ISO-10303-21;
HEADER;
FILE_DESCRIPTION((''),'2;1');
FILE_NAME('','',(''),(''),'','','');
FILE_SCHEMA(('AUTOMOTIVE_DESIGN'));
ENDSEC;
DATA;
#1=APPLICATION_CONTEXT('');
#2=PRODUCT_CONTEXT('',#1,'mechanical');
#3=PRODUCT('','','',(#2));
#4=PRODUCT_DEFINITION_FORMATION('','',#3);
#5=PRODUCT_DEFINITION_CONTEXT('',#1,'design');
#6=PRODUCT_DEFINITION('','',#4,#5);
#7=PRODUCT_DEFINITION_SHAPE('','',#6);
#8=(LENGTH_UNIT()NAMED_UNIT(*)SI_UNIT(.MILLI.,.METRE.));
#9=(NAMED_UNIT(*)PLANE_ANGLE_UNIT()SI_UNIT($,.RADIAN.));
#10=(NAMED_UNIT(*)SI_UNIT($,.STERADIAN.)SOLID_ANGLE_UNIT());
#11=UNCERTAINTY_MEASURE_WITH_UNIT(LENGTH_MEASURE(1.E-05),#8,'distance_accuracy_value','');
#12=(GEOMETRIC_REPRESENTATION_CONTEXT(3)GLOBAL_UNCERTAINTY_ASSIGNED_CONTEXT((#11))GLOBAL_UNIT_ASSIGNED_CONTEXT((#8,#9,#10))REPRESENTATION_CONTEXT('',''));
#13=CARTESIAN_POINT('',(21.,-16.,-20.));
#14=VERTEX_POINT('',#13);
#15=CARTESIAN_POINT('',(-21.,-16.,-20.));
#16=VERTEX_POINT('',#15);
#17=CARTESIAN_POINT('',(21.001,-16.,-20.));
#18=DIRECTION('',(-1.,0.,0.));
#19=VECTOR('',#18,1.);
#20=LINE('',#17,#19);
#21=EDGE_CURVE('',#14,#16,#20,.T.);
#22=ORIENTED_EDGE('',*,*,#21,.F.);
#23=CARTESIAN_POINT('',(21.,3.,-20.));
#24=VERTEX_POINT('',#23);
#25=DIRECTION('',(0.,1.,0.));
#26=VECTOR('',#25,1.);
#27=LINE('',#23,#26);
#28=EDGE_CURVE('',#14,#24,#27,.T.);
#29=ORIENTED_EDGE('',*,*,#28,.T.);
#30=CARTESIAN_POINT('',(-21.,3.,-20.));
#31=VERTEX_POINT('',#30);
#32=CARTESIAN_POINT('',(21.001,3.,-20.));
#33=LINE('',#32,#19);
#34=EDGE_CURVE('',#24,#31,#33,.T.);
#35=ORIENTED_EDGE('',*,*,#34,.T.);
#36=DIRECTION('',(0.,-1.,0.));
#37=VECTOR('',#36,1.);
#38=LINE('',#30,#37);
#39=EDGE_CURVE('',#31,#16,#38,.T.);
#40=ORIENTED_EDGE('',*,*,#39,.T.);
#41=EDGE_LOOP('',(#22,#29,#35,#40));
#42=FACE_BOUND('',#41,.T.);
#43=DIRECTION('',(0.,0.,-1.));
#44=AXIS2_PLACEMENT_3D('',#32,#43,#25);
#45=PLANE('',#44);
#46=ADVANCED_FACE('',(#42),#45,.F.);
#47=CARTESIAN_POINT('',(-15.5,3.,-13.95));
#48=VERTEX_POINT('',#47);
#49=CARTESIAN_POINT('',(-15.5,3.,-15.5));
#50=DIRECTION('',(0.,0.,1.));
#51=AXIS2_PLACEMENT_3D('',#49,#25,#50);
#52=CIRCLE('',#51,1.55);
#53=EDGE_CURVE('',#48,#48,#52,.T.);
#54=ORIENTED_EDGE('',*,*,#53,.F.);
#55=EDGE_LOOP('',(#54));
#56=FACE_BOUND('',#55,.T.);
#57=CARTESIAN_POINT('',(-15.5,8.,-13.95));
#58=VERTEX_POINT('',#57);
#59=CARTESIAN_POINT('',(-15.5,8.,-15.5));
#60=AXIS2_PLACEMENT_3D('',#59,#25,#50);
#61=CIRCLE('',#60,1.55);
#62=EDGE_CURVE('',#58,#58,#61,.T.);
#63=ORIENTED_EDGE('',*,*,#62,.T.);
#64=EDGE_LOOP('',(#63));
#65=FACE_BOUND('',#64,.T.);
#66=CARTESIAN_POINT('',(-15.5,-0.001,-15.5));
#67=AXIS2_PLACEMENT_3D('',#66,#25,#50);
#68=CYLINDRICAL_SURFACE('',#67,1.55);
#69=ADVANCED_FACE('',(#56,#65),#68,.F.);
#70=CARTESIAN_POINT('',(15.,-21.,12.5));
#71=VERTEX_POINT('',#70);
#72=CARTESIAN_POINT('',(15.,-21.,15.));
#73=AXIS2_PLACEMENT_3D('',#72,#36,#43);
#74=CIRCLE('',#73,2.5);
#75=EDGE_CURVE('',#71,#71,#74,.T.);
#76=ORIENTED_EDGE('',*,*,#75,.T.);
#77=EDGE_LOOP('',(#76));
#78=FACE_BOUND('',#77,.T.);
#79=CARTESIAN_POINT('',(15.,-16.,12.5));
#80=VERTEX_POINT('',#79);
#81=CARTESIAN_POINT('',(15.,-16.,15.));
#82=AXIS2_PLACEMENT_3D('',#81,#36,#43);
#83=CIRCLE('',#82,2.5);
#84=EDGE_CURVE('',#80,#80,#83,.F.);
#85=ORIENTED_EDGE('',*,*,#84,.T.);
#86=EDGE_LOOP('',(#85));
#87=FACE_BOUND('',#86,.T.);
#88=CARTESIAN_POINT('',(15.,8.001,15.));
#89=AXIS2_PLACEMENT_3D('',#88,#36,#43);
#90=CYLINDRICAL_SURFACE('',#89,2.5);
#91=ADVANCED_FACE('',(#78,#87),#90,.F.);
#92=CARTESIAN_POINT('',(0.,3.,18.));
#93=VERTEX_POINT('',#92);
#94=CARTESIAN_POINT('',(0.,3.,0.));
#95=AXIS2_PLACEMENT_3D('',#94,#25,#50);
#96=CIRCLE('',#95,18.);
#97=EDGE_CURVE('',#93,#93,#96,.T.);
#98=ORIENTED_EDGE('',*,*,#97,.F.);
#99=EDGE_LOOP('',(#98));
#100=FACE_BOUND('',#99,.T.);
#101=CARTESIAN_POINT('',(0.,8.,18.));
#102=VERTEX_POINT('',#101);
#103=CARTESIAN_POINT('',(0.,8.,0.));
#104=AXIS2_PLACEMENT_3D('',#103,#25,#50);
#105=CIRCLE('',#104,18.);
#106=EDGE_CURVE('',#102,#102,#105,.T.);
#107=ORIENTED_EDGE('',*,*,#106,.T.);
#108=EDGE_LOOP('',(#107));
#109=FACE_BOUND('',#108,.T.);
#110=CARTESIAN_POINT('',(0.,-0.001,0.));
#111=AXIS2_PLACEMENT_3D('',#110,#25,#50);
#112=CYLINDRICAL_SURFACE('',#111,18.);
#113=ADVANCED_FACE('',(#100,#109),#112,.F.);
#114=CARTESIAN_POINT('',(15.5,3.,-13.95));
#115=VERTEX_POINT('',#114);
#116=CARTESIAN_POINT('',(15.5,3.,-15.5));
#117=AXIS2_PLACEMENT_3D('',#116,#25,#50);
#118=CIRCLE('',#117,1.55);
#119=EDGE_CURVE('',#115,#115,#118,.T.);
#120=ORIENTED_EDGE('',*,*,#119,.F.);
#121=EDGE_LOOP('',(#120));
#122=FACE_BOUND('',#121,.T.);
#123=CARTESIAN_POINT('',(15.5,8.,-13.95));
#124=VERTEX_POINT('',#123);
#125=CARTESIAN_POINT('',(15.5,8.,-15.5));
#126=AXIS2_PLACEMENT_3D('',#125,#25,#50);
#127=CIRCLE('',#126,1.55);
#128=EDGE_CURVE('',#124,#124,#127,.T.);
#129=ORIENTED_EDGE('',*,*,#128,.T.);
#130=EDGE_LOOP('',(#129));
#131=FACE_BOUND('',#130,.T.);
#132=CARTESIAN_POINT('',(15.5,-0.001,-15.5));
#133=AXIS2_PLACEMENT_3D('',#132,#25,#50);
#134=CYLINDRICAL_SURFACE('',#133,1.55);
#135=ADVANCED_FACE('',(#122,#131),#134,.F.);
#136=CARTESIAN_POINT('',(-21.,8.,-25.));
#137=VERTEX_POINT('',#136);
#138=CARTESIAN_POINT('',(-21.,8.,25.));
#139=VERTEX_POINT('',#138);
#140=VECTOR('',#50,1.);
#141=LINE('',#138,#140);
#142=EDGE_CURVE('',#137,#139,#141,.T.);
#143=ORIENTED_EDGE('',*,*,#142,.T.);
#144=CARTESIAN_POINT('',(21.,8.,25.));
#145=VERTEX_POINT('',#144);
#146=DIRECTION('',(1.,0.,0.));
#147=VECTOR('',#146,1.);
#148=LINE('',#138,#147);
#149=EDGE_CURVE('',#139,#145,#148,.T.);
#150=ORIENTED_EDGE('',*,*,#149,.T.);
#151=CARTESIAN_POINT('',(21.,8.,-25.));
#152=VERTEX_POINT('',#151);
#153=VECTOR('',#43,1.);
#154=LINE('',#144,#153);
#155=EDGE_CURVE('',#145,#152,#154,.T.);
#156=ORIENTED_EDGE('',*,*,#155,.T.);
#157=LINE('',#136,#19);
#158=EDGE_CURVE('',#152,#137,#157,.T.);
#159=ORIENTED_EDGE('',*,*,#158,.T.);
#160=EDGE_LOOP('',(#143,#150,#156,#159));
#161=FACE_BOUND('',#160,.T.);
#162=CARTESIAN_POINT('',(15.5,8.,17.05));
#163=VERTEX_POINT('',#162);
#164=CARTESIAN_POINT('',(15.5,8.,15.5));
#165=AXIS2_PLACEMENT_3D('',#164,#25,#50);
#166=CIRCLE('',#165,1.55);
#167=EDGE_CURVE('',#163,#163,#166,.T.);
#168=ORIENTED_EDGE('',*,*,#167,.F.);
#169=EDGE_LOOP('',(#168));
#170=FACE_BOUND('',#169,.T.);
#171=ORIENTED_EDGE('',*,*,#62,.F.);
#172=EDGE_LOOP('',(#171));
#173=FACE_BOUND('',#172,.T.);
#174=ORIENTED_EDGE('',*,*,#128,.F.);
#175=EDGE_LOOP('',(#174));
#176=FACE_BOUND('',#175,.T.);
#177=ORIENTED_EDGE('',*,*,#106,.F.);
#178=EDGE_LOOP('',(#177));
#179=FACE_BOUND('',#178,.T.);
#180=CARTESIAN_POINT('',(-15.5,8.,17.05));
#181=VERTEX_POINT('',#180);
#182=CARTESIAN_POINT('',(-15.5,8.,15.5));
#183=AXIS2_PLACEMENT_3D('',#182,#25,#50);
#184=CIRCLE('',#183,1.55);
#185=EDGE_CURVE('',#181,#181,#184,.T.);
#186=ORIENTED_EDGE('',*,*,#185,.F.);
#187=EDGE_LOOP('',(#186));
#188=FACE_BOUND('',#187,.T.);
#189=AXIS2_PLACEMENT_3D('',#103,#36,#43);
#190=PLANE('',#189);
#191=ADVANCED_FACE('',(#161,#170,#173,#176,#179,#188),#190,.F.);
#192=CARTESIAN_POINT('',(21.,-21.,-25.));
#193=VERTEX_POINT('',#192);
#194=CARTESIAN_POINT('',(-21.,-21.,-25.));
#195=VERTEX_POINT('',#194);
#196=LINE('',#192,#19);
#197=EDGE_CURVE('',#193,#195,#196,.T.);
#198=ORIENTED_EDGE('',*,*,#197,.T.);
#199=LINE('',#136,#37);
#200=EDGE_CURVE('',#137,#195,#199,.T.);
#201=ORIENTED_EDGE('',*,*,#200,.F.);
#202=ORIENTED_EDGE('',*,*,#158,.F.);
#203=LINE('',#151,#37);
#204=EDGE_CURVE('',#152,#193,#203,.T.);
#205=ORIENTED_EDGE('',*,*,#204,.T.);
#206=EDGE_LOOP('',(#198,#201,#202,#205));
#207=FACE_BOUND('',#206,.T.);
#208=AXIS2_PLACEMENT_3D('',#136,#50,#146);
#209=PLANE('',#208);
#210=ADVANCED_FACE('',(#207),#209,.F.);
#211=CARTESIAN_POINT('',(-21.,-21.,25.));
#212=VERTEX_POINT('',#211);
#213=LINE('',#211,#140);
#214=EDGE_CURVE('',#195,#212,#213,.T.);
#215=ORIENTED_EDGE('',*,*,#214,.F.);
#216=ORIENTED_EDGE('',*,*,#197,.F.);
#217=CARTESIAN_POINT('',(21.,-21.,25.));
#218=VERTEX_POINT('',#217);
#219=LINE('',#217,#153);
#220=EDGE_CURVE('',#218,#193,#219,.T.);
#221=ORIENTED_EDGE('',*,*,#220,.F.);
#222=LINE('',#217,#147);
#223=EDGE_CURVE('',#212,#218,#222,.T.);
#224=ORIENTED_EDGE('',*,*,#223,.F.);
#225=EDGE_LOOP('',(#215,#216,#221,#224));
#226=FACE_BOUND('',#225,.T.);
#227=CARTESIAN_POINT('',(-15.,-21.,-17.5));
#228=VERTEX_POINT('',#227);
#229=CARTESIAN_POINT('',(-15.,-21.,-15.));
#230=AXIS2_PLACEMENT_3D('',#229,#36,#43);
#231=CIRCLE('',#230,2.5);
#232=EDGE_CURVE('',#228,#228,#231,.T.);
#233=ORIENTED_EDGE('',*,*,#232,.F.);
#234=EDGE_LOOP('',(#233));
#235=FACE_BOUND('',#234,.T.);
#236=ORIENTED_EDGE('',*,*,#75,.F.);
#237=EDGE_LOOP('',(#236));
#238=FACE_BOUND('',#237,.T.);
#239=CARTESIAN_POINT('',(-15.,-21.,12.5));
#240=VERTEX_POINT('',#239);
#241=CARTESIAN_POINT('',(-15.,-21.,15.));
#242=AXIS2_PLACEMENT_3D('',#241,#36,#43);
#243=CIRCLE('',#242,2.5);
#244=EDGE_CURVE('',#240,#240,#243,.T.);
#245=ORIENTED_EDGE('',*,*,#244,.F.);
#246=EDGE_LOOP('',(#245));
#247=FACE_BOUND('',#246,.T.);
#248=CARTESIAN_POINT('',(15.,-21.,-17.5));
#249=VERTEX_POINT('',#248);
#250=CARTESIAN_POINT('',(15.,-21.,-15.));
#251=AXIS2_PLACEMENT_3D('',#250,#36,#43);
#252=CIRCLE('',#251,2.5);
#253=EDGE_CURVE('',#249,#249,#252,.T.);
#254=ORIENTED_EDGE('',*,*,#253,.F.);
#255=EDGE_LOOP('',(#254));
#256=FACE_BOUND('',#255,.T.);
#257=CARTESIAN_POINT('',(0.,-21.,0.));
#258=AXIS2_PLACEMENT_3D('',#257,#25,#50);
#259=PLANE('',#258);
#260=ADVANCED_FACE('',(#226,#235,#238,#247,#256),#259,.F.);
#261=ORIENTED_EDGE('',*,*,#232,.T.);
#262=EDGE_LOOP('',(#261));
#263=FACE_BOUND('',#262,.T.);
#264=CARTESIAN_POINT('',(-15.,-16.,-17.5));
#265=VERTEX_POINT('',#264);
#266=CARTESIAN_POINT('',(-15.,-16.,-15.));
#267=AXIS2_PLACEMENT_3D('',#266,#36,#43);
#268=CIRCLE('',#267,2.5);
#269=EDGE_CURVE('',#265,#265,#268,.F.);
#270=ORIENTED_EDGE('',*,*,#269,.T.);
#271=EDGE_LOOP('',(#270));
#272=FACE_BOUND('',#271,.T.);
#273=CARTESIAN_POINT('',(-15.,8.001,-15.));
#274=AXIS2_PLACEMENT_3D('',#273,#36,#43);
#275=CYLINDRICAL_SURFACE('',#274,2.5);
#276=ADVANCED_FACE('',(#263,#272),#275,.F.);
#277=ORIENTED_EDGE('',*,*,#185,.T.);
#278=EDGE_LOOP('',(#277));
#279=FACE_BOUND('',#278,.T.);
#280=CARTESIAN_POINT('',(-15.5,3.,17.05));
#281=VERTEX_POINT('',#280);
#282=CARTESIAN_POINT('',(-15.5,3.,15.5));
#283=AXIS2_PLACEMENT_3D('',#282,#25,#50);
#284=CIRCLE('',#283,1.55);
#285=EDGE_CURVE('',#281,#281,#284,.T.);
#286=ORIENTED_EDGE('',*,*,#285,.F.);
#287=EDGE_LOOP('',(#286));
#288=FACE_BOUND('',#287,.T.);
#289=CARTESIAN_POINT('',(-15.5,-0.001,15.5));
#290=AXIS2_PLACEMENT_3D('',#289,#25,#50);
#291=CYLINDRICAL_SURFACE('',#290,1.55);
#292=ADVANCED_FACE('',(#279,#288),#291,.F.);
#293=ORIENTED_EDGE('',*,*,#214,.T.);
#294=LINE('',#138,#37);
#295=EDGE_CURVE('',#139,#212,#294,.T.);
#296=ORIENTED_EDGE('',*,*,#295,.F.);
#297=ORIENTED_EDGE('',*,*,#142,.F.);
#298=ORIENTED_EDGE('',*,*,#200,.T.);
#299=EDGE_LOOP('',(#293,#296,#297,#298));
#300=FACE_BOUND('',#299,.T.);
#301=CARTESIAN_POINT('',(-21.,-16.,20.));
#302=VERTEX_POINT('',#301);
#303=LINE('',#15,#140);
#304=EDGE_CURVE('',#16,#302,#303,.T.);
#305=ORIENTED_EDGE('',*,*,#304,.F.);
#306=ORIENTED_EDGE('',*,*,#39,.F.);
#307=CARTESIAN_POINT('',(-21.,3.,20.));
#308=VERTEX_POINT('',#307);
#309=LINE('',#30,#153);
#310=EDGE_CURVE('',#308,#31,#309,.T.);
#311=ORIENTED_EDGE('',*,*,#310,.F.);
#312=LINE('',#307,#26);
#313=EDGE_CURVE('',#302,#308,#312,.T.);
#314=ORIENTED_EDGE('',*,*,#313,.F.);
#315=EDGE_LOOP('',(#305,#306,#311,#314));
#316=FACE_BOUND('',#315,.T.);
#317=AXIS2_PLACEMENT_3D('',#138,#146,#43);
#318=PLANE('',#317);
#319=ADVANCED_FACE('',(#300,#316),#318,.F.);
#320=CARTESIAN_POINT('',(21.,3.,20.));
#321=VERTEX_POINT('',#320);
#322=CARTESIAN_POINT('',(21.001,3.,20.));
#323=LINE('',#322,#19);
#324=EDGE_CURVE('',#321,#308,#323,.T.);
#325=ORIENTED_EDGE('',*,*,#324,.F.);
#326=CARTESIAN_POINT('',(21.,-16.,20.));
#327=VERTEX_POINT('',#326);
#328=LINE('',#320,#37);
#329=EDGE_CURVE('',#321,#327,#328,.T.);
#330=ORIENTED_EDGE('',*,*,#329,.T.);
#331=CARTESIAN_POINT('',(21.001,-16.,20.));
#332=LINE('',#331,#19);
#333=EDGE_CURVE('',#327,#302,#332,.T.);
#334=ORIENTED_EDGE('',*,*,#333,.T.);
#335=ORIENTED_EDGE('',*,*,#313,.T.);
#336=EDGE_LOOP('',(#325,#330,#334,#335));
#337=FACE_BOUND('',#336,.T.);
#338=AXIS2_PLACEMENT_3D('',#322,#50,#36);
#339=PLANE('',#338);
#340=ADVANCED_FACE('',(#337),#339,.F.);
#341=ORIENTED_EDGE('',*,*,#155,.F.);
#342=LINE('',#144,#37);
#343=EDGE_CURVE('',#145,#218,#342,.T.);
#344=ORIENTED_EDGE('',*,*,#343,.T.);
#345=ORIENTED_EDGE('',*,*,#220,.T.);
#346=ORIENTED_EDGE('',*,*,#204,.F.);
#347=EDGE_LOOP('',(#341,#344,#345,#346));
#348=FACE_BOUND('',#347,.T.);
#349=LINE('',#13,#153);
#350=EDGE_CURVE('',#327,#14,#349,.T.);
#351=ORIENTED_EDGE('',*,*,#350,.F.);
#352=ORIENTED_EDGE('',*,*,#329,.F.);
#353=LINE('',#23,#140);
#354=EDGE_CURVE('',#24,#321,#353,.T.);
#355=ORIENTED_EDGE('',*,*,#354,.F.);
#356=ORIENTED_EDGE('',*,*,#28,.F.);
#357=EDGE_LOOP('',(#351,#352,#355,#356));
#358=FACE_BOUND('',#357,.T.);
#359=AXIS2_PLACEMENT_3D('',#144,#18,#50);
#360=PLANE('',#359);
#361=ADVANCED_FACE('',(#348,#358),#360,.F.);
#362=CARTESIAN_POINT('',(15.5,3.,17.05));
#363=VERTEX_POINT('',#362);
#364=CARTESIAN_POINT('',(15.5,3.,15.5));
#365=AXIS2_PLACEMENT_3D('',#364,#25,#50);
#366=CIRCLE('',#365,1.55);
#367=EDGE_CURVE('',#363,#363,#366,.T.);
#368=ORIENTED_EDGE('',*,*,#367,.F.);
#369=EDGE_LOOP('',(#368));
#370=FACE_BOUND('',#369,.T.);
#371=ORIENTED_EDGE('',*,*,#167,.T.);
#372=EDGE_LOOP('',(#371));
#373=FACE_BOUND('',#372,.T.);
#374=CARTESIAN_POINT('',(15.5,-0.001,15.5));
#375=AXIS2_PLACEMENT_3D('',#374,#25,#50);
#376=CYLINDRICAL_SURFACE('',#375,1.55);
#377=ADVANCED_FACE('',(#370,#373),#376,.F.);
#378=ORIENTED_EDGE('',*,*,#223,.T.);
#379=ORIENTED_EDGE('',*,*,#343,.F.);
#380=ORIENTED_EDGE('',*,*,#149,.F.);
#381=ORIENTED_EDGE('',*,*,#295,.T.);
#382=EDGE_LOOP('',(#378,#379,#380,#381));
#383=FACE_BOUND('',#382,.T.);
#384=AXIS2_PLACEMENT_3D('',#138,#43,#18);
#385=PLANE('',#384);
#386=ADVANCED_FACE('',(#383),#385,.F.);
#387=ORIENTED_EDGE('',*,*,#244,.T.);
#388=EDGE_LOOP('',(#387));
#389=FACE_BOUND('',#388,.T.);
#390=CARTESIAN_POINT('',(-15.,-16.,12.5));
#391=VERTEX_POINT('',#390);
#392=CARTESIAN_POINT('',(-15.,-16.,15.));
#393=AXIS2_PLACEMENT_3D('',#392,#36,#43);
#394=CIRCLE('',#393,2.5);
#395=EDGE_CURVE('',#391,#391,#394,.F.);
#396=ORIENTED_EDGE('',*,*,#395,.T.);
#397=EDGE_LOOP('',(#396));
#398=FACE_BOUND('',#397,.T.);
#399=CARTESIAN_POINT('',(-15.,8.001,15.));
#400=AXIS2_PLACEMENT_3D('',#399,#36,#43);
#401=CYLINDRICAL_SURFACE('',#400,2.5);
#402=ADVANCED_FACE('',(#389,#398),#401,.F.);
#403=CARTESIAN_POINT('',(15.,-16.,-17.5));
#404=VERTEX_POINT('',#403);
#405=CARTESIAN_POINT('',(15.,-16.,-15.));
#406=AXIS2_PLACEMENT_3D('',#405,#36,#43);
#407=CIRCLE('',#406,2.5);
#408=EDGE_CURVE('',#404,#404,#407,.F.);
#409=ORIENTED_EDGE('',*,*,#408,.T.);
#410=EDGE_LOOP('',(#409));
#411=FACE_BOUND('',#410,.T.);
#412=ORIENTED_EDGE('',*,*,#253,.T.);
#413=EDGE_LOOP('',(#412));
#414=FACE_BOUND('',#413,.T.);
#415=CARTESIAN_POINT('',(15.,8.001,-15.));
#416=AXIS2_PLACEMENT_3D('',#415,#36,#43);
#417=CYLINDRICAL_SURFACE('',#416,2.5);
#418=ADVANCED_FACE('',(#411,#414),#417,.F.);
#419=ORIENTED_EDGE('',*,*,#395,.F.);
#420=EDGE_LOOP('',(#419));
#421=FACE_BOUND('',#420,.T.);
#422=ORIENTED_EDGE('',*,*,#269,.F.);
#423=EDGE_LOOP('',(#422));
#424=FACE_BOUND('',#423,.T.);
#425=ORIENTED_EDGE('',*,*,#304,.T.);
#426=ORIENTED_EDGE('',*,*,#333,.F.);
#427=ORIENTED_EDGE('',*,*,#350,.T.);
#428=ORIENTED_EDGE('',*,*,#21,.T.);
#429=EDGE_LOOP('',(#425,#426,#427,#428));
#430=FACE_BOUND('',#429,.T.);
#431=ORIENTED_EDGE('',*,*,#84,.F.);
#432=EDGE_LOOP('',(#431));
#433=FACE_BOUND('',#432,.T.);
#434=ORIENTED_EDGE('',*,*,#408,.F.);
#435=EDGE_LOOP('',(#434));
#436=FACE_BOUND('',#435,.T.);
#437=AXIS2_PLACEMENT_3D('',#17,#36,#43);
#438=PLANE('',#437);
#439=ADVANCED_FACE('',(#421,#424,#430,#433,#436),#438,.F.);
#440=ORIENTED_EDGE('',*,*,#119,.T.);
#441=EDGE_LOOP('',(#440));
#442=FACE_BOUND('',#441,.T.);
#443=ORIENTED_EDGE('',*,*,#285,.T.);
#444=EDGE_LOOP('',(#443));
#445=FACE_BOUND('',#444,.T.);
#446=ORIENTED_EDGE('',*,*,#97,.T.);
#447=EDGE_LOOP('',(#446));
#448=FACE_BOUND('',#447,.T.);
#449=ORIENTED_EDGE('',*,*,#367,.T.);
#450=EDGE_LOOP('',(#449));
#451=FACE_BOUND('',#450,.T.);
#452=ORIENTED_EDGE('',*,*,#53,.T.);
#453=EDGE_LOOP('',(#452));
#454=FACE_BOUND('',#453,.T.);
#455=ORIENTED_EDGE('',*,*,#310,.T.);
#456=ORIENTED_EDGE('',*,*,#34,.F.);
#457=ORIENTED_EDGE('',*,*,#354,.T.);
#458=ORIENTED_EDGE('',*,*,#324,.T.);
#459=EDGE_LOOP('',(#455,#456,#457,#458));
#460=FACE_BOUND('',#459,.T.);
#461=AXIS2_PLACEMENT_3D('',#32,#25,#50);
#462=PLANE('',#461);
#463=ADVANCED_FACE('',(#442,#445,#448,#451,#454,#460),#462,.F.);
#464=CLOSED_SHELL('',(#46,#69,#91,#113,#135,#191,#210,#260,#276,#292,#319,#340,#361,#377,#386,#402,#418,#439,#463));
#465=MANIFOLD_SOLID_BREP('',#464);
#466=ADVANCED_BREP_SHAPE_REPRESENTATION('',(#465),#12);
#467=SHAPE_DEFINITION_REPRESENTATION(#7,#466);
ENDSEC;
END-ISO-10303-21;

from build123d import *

# Parameters (mm, degrees)
SKETCH1_W           = 42
SKETCH1_H           = 50
BOSS_EXTRUDE1_DEPTH = 8
CUT_EXTRUDE1_REACH  = 35.615
SKETCH2_R           = 1.55
SKETCH2_R_2         = 18
SKETCH3_W           = 42
SKETCH3_H           = 50
BOSS_EXTRUDE2_DEPTH = 21
CUT_EXTRUDE2_REACH  = 55.198
SKETCH4_W           = 40
SKETCH4_H           = 19
CUT_EXTRUDE3_REACH  = 45.669
SKETCH6_R           = 2.5


with BuildPart() as part:
    # Sketch1 → Boss-Extrude1 (new body)
    with BuildSketch(Plane(origin=(0, 0, 0), x_dir=(1, 0, 0), z_dir=(0, 1, 0))):
        Rectangle(SKETCH1_W, SKETCH1_H)
    extrude(amount=BOSS_EXTRUDE1_DEPTH)

    # Sketch2 → Cut-Extrude1 (cut, up to next)
    with BuildSketch(Plane(origin=(0, 8, 0), x_dir=(1, 0, 0), z_dir=(0, 1, 0)), mode=Mode.PRIVATE) as cut_extrude1_sk1:
        with Locations(Location((-15.5, 15.5, 0), (0, 0, 270))):
            Circle(SKETCH2_R)
    cut_extrude1_tool1 = extrude(cut_extrude1_sk1.sketch, amount=-CUT_EXTRUDE1_REACH, mode=Mode.PRIVATE) & part.part
    # Sketch2 → Cut-Extrude1 (cut, up to next)
    with BuildSketch(Plane(origin=(0, 8, 0), x_dir=(1, 0, 0), z_dir=(0, 1, 0)), mode=Mode.PRIVATE) as cut_extrude1_sk2:
        with Locations(Location((15.5, 15.5, 0), (0, 0, 270))):
            Circle(SKETCH2_R)
    cut_extrude1_tool2 = extrude(cut_extrude1_sk2.sketch, amount=-CUT_EXTRUDE1_REACH, mode=Mode.PRIVATE) & part.part
    # Sketch2 → Cut-Extrude1 (cut, up to next)
    with BuildSketch(Plane(origin=(0, 8, 0), x_dir=(1, 0, 0), z_dir=(0, 1, 0)), mode=Mode.PRIVATE) as cut_extrude1_sk3:
        with Locations(Location((15.5, -15.5, 0), (0, 0, 270))):
            Circle(SKETCH2_R)
    cut_extrude1_tool3 = extrude(cut_extrude1_sk3.sketch, amount=-CUT_EXTRUDE1_REACH, mode=Mode.PRIVATE) & part.part
    # Sketch2 → Cut-Extrude1 (cut, up to next)
    with BuildSketch(Plane(origin=(0, 8, 0), x_dir=(1, 0, 0), z_dir=(0, 1, 0)), mode=Mode.PRIVATE) as cut_extrude1_sk4:
        with Locations(Location((-15.5, -15.5, 0), (0, 0, 270))):
            Circle(SKETCH2_R)
    cut_extrude1_tool4 = extrude(cut_extrude1_sk4.sketch, amount=-CUT_EXTRUDE1_REACH, mode=Mode.PRIVATE) & part.part
    # Sketch2 → Cut-Extrude1 (cut, up to next)
    with BuildSketch(Plane(origin=(0, 8, 0), x_dir=(1, 0, 0), z_dir=(0, 1, 0)), mode=Mode.PRIVATE) as cut_extrude1_sk5:
        with Locations(Location((0, 0, 0), (0, 0, 270))):
            Circle(SKETCH2_R_2)
    cut_extrude1_tool5 = extrude(cut_extrude1_sk5.sketch, amount=-CUT_EXTRUDE1_REACH, mode=Mode.PRIVATE) & part.part
    add(cut_extrude1_tool1.solids().sort_by_distance((-15.5, 8, -15.5))[0], mode=Mode.SUBTRACT)
    add(cut_extrude1_tool2.solids().sort_by_distance((15.5, 8, -15.5))[0], mode=Mode.SUBTRACT)
    add(cut_extrude1_tool3.solids().sort_by_distance((15.5, 8, 15.5))[0], mode=Mode.SUBTRACT)
    add(cut_extrude1_tool4.solids().sort_by_distance((-15.5, 8, 15.5))[0], mode=Mode.SUBTRACT)
    add(cut_extrude1_tool5.solids().sort_by_distance((0, 8, 0))[0], mode=Mode.SUBTRACT)

    # Sketch3 → Boss-Extrude2 (add)
    with BuildSketch(Plane(origin=(0, 0, 0), x_dir=(1, 0, 0), z_dir=(0, 1, 0))):
        Rectangle(SKETCH3_W, SKETCH3_H)
    extrude(amount=-BOSS_EXTRUDE2_DEPTH)

    # Sketch4 → Cut-Extrude2 (cut, up to next)
    with BuildSketch(Plane.ZY.offset(21), mode=Mode.PRIVATE) as cut_extrude2_sk1:
        with Locations((0, -6.5)):
            Rectangle(SKETCH4_W, SKETCH4_H)
    cut_extrude2_tool1 = extrude(cut_extrude2_sk1.sketch, amount=-CUT_EXTRUDE2_REACH, mode=Mode.PRIVATE) & part.part
    add(cut_extrude2_tool1.solids().sort_by_distance((-21, -6.5, 0))[0], mode=Mode.SUBTRACT)

    # Sketch6 → Cut-Extrude3 (cut, up to next)
    with BuildSketch(Plane(origin=(0, -21, 0), x_dir=(-1, 0, 0), z_dir=(0, -1, 0)), mode=Mode.PRIVATE) as cut_extrude3_sk1:
        with Locations(Location((-15, 15, 0), (0, 0, 90))):
            Circle(SKETCH6_R)
    cut_extrude3_tool1 = extrude(cut_extrude3_sk1.sketch, amount=-CUT_EXTRUDE3_REACH, mode=Mode.PRIVATE) & part.part
    # Sketch6 → Cut-Extrude3 (cut, up to next)
    with BuildSketch(Plane(origin=(0, -21, 0), x_dir=(-1, 0, 0), z_dir=(0, -1, 0)), mode=Mode.PRIVATE) as cut_extrude3_sk2:
        with Locations(Location((15, 15, 0), (0, 0, 90))):
            Circle(SKETCH6_R)
    cut_extrude3_tool2 = extrude(cut_extrude3_sk2.sketch, amount=-CUT_EXTRUDE3_REACH, mode=Mode.PRIVATE) & part.part
    # Sketch6 → Cut-Extrude3 (cut, up to next)
    with BuildSketch(Plane(origin=(0, -21, 0), x_dir=(-1, 0, 0), z_dir=(0, -1, 0)), mode=Mode.PRIVATE) as cut_extrude3_sk3:
        with Locations(Location((15, -15, 0), (0, 0, 90))):
            Circle(SKETCH6_R)
    cut_extrude3_tool3 = extrude(cut_extrude3_sk3.sketch, amount=-CUT_EXTRUDE3_REACH, mode=Mode.PRIVATE) & part.part
    # Sketch6 → Cut-Extrude3 (cut, up to next)
    with BuildSketch(Plane(origin=(0, -21, 0), x_dir=(-1, 0, 0), z_dir=(0, -1, 0)), mode=Mode.PRIVATE) as cut_extrude3_sk4:
        with Locations(Location((-15, -15, 0), (0, 0, 90))):
            Circle(SKETCH6_R)
    cut_extrude3_tool4 = extrude(cut_extrude3_sk4.sketch, amount=-CUT_EXTRUDE3_REACH, mode=Mode.PRIVATE) & part.part
    add(cut_extrude3_tool1.solids().sort_by_distance((15, -21, -15))[0], mode=Mode.SUBTRACT)
    add(cut_extrude3_tool2.solids().sort_by_distance((-15, -21, -15))[0], mode=Mode.SUBTRACT)
    add(cut_extrude3_tool3.solids().sort_by_distance((-15, -21, 15))[0], mode=Mode.SUBTRACT)
    add(cut_extrude3_tool4.solids().sort_by_distance((15, -21, 15))[0], mode=Mode.SUBTRACT)


solid = part.part
